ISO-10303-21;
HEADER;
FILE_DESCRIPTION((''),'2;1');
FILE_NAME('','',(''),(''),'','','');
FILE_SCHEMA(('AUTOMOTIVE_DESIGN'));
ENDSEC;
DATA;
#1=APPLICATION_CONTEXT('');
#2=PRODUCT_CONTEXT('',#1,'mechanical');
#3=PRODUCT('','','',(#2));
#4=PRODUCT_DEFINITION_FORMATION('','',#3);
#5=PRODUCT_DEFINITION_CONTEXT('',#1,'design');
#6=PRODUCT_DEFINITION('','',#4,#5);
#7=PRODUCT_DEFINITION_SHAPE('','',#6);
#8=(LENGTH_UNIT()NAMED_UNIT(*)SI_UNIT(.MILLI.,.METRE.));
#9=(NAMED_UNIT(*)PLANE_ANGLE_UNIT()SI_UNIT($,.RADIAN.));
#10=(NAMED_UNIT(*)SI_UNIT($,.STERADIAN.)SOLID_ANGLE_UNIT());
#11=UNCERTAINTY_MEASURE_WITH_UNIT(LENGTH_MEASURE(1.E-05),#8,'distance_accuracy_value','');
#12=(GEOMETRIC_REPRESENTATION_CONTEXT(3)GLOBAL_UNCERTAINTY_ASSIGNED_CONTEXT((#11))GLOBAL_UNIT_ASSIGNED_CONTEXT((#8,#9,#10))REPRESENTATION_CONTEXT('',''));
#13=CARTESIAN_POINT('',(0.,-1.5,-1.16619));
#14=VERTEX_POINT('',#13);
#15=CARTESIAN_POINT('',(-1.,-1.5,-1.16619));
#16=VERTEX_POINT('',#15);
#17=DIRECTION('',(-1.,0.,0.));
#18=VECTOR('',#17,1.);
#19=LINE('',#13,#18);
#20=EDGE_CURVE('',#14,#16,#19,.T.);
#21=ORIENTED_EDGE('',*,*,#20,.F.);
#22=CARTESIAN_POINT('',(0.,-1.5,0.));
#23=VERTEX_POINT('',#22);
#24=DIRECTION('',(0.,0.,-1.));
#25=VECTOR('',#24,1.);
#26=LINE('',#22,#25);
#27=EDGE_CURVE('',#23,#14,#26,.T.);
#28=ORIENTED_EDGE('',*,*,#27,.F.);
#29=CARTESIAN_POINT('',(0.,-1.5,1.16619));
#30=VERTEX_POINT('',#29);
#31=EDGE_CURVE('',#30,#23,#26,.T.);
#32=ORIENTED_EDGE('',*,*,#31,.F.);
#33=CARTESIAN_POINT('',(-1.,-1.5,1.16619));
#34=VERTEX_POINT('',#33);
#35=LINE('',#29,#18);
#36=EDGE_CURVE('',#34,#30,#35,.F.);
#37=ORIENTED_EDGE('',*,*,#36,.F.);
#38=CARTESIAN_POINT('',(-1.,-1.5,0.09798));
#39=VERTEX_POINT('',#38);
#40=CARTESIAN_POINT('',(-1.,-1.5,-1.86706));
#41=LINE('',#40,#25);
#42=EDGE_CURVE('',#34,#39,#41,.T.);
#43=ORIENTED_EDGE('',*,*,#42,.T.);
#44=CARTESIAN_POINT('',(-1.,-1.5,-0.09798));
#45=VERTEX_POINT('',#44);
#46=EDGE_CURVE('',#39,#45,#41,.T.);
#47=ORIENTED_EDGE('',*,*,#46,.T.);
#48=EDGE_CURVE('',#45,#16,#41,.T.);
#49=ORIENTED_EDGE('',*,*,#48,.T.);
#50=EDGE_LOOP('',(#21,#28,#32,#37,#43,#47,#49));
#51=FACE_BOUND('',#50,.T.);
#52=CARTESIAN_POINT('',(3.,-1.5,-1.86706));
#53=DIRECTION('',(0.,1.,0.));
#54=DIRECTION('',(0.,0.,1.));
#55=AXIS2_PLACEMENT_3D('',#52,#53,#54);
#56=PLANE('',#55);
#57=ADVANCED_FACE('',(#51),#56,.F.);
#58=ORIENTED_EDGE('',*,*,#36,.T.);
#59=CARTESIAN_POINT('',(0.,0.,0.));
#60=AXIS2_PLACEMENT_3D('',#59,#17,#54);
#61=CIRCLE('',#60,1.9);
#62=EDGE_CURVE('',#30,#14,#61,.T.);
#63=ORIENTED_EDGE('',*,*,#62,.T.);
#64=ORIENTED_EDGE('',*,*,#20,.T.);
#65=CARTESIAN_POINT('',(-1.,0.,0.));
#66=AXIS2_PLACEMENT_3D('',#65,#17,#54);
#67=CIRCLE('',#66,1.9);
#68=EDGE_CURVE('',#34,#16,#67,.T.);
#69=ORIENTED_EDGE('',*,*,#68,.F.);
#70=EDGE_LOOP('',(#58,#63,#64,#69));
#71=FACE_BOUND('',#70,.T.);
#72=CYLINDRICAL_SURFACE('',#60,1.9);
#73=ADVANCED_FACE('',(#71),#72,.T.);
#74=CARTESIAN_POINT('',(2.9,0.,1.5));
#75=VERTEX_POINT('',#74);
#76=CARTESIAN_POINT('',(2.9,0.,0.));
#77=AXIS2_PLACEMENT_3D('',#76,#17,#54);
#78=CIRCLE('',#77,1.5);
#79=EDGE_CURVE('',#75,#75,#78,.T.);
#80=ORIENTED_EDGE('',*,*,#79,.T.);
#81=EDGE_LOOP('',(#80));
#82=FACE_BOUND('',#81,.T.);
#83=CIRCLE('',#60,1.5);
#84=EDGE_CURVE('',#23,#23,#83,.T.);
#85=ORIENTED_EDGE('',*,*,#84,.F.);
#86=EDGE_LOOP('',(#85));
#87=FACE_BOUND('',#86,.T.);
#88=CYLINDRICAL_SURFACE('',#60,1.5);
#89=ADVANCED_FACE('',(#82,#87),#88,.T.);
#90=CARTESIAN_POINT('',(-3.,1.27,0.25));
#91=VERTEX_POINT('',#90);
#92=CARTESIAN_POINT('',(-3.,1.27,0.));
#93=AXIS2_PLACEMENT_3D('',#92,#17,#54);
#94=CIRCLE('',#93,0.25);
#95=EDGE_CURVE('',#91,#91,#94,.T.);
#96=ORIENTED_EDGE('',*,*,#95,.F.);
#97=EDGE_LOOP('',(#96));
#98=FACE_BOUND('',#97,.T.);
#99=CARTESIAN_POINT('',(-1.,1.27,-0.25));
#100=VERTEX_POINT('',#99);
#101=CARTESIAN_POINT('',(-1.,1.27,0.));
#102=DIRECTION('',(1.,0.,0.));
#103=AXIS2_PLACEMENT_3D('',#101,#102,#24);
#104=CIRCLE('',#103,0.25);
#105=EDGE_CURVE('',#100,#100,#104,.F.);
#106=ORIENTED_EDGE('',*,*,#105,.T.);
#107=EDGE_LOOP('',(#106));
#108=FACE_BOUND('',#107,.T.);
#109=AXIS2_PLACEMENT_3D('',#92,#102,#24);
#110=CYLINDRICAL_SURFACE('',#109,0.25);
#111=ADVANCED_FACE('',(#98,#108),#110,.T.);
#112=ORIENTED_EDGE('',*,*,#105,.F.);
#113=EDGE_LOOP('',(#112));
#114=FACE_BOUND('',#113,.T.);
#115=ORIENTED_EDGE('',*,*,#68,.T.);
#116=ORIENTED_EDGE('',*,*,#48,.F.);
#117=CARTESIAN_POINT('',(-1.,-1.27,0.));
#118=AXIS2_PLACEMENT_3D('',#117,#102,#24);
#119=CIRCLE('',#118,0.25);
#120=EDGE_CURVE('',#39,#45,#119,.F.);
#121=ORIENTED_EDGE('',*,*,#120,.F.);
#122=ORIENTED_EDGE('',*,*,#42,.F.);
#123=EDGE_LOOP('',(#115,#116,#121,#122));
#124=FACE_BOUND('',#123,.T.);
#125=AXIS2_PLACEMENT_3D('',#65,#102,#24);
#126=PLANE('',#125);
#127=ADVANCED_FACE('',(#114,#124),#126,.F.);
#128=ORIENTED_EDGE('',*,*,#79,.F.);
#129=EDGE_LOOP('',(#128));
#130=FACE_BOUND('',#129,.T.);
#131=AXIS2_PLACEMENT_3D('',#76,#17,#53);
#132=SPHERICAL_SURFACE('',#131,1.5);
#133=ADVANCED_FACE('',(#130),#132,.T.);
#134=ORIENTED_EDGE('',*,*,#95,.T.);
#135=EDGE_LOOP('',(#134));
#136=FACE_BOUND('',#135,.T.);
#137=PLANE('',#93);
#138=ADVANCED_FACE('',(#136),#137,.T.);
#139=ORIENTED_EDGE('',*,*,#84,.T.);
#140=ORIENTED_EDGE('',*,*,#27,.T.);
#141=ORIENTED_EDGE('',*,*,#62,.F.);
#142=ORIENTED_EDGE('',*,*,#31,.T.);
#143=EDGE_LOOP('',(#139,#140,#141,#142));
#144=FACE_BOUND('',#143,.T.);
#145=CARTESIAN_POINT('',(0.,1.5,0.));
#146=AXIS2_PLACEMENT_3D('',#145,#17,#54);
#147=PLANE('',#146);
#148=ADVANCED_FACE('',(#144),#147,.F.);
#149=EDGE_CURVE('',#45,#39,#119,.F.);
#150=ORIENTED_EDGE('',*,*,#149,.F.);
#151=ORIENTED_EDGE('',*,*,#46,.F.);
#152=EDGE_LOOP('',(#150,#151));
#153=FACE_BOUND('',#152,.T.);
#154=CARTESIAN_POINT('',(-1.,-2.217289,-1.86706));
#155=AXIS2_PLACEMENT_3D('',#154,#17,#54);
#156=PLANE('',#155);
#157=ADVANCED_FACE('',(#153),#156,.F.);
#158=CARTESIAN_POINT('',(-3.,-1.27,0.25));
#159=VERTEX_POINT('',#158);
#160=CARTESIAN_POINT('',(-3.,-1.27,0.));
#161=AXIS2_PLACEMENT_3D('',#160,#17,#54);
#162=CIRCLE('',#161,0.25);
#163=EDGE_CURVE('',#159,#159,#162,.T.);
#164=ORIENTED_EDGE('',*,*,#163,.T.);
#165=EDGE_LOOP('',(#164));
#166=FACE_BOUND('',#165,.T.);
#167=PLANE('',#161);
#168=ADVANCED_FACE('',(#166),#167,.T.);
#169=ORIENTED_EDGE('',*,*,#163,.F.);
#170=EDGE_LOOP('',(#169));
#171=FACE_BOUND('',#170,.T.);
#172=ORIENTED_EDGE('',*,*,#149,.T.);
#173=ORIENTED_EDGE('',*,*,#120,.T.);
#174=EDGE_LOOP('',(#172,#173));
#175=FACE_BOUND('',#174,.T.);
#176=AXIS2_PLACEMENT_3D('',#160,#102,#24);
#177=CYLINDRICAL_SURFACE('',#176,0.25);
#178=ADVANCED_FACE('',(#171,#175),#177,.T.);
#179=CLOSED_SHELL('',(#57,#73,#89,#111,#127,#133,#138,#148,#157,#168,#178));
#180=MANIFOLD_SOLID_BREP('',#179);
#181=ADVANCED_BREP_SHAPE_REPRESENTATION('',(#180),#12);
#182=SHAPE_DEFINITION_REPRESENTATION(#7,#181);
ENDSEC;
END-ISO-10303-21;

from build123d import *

# Parameters (mm, degrees)
ESQUISSE2_R             = 0.25
EXTRUSION1_DEPTH        = 2
ESQUISSE3_W             = 3.802685038
ESQUISSE3_H             = 0.717288717
ENL_V_MAT_EXTRU_1_DEPTH = 4


with BuildPart() as part:
    # Esquisse1 → Révolution1 (revolve)
    with BuildSketch(Plane.XY, mode=Mode.PRIVATE) as r_volution1_sk:
        with BuildLine():
            Line((0, 0), (4.4, 0))
            ThreePointArc((4.4, 0), (3.960660172, 1.060660172), (2.9, 1.5))
            Line((2.9, 1.5), (0, 1.5))
            Line((0, 1.5), (0, 1.9))
            Line((0, 1.9), (-1, 1.9))
            Line((-1, 1.9), (-1, 0))
            Line((-1, 0), (0, 0))
        make_face()
    revolve(r_volution1_sk.sketch.rotate(Axis((0, 0, 0), (1, 0, 0)), 90), axis=Axis((0, 0, 0), (1, 0, 0)))  # turned: the seam where the file's is

    # Esquisse2 → Extrusion1 (add)
    with BuildSketch(Plane.ZY.offset(1)):
        with Locations(Location((0, 1.27, 0), (0, 0, 180))):  # turned: the seam where the file's is
            Circle(ESQUISSE2_R)
        with Locations(Location((0, -1.27, 0), (0, 0, 180))):  # turned: the seam where the file's is
            Circle(ESQUISSE2_R)
    extrude(amount=EXTRUSION1_DEPTH)

    # Esquisse3 → Enlèv. mat.-Extru.1 (cut)
    with BuildSketch(Plane.ZY.offset(1)):
        with Locations((0.034282181, -1.858644359)):
            Rectangle(ESQUISSE3_W, ESQUISSE3_H)
    extrude(amount=-ENL_V_MAT_EXTRU_1_DEPTH, mode=Mode.SUBTRACT)


solid = part.part
